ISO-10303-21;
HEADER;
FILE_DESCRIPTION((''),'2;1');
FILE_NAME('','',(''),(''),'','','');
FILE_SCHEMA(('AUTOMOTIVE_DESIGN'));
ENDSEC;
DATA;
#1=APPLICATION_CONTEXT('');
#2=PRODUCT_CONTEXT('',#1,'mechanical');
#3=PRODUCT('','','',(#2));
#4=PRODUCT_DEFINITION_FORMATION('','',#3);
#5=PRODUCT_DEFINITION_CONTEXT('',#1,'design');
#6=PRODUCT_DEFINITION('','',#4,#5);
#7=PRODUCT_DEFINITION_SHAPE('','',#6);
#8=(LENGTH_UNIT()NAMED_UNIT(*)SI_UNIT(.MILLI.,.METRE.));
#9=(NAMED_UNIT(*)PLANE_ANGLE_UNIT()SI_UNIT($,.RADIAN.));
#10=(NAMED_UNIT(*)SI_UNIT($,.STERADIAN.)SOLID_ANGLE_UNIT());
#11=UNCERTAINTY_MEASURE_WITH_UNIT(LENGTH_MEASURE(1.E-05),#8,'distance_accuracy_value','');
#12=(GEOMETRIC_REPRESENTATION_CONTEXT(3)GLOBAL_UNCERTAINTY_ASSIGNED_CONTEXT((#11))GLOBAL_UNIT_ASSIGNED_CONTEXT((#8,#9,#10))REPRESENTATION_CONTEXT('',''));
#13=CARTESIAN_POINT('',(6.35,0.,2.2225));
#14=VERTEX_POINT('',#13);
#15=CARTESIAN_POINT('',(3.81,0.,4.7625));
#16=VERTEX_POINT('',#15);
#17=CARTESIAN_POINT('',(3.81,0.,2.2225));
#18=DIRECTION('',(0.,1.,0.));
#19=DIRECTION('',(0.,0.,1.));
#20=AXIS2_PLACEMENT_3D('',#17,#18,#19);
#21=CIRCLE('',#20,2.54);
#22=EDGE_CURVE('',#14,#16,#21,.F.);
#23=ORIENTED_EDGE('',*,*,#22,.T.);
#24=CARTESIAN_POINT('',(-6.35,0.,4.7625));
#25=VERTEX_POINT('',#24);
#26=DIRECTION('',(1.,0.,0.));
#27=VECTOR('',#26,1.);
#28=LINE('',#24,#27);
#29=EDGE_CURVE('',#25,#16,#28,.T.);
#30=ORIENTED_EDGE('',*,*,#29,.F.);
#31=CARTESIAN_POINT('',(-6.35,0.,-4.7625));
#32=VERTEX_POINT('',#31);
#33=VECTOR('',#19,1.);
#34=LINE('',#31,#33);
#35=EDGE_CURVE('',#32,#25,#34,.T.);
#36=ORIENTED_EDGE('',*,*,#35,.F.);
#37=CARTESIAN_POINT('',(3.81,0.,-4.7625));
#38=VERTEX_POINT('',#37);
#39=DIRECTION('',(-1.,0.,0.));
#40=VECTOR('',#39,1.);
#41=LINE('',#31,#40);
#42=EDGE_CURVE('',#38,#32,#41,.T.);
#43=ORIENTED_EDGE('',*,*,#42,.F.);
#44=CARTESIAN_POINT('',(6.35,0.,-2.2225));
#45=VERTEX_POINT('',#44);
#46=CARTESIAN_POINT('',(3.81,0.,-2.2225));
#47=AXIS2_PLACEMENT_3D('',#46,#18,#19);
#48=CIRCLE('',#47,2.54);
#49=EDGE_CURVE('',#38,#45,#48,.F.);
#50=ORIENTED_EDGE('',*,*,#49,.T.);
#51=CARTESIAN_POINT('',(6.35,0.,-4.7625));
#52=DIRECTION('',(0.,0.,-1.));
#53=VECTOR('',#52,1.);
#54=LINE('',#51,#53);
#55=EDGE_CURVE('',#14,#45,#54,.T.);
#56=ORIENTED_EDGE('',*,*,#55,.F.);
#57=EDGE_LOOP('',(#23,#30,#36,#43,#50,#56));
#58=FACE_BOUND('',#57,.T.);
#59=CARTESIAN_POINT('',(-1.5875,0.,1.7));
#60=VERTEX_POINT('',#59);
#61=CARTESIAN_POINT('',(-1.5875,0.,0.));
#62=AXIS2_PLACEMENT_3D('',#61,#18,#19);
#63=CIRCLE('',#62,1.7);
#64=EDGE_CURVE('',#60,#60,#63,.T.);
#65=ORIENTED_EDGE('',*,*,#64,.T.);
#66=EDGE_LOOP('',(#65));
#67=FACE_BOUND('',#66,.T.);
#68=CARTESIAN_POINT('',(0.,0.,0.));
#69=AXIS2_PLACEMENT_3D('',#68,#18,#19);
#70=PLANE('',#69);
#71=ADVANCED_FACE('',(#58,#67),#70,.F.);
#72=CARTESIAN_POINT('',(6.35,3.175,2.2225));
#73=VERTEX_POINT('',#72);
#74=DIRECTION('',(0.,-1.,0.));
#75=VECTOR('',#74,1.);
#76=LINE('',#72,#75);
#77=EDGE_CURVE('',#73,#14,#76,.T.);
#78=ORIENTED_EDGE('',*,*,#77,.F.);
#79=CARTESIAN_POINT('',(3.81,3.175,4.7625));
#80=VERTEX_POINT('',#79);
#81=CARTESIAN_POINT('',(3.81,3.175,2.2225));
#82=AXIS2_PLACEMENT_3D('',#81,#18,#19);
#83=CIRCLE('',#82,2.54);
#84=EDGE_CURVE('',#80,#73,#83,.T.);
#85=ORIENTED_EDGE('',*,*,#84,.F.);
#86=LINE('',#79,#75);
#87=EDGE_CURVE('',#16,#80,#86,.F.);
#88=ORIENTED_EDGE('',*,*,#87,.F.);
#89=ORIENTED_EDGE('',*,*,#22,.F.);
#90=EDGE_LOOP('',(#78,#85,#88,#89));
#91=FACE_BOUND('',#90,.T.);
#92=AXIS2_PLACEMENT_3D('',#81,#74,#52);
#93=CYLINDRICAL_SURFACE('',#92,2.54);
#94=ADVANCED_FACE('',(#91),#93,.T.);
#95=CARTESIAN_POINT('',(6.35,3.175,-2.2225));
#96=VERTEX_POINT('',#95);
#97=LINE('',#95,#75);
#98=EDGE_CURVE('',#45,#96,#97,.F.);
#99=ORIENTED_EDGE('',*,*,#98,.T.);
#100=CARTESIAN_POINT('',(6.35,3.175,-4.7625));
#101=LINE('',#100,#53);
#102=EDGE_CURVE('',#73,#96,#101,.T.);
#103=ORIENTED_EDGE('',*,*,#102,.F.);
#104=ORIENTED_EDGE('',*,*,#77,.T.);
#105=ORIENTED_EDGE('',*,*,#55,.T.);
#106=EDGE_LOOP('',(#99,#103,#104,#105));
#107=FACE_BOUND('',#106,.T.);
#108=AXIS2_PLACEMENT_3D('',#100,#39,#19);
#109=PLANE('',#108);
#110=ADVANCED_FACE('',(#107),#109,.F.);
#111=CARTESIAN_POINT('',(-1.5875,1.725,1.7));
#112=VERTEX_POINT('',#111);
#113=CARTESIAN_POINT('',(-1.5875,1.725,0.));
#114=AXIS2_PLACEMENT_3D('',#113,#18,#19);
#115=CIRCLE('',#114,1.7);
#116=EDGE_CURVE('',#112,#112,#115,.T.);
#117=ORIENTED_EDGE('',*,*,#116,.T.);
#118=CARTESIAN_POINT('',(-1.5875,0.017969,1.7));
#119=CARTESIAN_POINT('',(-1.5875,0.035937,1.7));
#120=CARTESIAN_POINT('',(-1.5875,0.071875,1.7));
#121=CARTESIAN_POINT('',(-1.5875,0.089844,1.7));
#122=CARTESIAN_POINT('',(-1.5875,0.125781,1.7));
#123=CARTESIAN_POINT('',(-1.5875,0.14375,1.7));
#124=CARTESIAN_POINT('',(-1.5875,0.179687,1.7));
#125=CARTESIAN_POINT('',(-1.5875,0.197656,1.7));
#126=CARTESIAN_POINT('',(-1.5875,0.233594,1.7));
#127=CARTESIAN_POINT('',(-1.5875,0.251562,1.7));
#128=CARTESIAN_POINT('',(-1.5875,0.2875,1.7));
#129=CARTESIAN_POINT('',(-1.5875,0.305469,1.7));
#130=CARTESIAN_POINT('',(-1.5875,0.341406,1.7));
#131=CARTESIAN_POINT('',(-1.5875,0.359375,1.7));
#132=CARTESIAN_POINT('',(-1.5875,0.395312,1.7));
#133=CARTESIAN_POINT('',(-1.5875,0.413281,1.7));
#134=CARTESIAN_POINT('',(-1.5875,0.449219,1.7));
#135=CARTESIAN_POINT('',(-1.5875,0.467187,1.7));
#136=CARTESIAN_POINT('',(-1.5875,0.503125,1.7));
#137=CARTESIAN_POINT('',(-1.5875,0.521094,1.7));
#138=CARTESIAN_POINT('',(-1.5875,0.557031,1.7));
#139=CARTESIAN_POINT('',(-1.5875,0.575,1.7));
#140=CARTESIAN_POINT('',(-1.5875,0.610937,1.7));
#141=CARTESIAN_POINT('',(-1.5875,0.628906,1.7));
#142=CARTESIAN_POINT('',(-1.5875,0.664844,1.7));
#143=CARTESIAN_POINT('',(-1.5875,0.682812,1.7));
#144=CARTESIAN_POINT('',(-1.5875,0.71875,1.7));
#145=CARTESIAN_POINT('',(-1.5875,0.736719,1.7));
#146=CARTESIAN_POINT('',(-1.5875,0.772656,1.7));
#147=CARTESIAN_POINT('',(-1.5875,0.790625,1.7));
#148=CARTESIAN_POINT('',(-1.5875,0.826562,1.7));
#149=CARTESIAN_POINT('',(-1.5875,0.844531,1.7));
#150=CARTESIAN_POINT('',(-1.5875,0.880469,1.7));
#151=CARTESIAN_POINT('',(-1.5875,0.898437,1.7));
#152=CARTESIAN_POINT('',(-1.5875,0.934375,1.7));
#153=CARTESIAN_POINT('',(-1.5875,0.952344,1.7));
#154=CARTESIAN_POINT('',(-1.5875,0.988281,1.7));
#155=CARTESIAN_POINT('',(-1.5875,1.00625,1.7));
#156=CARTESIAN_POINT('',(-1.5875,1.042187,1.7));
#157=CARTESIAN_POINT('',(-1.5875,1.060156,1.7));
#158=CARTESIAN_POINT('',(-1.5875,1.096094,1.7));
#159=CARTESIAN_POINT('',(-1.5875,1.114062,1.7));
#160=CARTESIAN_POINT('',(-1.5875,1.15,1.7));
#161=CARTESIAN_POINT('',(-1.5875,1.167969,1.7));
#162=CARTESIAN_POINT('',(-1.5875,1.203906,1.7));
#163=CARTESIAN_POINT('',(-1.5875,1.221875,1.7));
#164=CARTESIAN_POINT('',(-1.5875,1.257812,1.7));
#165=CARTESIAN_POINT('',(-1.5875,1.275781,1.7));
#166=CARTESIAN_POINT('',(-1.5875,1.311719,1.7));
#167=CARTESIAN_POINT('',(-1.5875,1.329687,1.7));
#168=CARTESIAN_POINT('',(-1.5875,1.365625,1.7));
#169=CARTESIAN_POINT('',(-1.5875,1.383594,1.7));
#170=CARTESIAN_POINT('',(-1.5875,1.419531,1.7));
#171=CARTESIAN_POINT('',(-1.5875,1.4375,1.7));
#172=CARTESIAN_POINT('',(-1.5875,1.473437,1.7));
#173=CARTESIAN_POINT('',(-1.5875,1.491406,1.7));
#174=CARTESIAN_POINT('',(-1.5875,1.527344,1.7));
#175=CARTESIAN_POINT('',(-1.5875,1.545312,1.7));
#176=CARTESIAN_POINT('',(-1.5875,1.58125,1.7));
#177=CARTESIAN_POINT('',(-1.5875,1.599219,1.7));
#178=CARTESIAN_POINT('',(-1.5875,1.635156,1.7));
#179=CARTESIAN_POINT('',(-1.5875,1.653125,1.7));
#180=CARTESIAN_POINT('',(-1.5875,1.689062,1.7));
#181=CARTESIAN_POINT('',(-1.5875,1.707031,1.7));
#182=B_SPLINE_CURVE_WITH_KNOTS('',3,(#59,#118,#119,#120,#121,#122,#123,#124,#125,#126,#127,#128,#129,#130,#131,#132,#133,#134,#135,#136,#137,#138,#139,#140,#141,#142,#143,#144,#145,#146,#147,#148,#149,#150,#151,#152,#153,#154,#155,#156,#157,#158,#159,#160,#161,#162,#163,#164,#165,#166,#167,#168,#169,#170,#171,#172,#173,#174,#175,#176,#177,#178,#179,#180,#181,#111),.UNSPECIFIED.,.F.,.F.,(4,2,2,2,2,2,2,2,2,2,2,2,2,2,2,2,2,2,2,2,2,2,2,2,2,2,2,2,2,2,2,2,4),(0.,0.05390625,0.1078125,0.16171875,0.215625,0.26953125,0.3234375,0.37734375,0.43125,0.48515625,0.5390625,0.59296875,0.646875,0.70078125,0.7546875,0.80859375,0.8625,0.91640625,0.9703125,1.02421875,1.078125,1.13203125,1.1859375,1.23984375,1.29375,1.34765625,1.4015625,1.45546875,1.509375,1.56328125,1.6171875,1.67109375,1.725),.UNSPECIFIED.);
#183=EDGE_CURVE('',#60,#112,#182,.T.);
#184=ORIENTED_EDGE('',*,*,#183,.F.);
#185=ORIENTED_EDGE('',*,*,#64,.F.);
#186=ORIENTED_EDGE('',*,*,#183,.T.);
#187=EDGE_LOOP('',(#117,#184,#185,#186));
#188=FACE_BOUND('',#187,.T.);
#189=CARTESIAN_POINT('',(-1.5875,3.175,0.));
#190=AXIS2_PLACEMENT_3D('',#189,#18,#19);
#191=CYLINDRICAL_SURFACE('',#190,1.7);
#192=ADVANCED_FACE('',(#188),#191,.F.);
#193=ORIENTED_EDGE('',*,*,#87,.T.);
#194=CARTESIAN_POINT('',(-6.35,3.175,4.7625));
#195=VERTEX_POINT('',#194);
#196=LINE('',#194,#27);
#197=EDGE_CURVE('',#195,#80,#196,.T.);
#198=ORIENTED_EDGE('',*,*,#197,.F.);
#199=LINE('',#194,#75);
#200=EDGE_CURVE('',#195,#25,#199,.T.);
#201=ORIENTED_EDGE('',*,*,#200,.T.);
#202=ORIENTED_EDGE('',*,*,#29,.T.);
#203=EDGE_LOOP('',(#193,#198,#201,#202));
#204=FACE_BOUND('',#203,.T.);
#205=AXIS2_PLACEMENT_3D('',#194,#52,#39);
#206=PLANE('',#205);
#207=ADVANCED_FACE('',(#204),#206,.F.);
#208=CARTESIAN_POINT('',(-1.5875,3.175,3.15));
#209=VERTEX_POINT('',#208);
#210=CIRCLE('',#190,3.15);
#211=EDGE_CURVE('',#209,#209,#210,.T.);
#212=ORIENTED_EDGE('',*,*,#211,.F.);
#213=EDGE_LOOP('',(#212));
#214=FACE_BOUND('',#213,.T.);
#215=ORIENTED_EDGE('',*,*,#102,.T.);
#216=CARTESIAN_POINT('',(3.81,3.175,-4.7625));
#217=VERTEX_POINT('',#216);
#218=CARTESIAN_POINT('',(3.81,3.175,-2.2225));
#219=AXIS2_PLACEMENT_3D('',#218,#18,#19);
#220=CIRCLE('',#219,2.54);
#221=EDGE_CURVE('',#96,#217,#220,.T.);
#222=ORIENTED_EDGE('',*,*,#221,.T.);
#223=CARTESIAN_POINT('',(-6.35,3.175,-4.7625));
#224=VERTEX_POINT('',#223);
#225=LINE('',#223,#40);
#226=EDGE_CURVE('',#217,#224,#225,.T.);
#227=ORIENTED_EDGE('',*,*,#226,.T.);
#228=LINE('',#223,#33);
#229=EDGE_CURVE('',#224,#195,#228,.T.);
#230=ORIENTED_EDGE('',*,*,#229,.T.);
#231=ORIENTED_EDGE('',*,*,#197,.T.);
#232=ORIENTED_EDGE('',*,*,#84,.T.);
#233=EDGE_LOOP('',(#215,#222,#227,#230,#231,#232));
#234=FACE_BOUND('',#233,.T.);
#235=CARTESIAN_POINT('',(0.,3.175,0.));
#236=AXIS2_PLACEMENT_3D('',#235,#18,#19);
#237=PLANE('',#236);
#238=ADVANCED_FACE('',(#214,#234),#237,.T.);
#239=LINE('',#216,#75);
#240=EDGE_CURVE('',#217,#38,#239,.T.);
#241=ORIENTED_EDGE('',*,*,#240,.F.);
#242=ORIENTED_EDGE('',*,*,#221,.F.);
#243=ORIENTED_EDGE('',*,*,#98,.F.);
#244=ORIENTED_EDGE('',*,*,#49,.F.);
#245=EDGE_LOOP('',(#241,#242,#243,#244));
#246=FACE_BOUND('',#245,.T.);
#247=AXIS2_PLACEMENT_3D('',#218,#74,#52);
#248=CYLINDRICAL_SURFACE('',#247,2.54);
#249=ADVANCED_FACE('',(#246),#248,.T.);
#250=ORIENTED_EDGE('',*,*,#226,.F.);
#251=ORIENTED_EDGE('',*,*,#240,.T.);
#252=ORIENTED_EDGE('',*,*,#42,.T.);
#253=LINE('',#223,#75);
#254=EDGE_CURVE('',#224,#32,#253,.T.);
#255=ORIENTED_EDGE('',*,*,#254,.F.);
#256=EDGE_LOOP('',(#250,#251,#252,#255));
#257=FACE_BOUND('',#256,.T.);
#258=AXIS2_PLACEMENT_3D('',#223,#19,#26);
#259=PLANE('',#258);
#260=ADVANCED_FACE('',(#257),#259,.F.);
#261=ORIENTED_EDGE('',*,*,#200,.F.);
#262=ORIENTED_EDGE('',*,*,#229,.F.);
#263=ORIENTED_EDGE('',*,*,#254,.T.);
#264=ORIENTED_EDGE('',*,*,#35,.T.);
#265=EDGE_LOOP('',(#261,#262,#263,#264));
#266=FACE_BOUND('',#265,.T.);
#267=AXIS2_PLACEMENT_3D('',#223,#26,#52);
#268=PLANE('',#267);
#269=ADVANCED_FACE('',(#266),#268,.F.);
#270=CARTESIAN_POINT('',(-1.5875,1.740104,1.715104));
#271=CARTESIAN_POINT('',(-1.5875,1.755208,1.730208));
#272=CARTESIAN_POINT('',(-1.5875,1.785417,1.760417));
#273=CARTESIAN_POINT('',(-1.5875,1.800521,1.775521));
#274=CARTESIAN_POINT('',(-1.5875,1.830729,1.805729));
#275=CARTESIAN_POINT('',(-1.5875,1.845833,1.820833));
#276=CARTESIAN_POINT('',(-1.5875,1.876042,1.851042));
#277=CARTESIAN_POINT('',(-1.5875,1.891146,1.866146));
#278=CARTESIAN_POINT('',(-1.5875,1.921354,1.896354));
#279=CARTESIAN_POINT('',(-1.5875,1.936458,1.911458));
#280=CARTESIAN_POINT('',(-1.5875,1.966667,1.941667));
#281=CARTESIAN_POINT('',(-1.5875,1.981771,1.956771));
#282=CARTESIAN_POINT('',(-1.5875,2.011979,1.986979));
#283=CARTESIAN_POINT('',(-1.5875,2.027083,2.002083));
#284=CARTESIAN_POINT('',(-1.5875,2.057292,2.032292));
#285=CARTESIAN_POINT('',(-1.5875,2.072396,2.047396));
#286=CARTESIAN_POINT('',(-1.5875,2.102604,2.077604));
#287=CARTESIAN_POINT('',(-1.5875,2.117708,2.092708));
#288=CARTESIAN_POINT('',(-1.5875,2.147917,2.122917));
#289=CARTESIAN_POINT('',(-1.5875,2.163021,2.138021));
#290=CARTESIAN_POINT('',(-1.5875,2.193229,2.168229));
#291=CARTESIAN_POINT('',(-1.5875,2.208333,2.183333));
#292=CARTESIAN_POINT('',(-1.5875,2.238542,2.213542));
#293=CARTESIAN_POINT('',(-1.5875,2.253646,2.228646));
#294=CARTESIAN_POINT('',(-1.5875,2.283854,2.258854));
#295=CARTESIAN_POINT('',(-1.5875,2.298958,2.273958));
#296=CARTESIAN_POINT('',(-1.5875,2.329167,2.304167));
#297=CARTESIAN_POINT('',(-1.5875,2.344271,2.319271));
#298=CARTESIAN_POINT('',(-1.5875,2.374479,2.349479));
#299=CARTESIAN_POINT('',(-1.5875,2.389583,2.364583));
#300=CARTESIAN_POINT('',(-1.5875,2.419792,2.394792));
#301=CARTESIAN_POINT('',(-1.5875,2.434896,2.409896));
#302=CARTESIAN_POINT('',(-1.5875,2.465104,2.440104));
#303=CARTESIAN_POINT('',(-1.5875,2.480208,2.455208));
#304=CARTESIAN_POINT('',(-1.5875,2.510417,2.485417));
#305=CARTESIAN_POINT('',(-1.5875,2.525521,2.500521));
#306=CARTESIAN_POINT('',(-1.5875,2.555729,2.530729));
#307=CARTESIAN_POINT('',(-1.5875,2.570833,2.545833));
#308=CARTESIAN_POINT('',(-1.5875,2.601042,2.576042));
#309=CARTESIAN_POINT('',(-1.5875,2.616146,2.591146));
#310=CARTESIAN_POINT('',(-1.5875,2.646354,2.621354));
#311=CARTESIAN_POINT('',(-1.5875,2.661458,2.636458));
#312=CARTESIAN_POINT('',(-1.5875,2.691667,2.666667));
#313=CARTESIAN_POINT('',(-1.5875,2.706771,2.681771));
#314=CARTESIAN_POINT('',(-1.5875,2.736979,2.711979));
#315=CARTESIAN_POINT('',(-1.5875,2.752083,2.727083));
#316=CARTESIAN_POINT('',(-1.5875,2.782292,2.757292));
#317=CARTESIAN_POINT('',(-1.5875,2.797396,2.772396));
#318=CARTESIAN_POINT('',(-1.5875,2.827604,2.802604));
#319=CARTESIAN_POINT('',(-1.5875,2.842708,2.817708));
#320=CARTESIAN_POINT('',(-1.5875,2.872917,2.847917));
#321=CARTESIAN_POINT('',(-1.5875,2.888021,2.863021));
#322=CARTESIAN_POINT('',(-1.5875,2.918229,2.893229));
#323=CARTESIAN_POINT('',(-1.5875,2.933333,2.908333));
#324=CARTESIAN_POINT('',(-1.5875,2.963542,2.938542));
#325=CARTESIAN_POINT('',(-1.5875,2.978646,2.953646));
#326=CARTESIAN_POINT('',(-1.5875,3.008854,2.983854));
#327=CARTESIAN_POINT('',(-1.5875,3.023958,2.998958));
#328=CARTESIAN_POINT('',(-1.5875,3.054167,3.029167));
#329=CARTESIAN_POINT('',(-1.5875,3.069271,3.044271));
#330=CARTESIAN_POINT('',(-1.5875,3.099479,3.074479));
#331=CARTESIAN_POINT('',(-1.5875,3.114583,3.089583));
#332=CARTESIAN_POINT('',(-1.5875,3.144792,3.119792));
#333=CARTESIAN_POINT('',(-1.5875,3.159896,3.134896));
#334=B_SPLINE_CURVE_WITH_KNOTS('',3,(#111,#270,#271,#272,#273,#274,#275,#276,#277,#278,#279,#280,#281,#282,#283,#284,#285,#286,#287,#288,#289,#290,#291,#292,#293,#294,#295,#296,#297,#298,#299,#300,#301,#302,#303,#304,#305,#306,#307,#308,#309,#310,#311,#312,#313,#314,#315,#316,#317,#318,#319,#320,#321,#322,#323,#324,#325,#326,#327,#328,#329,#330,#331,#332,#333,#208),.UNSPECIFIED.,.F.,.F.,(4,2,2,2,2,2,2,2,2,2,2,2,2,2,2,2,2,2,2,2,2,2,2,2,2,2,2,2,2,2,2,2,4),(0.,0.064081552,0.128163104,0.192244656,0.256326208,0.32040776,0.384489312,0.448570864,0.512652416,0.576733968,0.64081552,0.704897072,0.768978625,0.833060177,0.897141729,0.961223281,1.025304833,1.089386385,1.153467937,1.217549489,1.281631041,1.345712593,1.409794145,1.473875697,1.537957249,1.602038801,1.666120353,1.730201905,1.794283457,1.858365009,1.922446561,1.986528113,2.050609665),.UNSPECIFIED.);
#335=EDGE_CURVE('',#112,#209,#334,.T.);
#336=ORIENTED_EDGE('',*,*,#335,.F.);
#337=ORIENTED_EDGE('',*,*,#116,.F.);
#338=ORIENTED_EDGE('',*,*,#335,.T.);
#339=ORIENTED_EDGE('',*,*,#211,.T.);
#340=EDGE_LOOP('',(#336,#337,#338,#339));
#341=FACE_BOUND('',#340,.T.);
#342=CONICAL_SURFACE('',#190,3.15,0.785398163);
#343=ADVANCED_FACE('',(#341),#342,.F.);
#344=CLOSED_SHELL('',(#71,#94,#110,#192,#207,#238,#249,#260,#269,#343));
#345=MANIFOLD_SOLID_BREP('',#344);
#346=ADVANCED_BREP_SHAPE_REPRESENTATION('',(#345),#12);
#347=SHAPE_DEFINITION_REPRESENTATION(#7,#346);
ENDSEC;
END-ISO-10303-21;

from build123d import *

# Parameters (mm, degrees)
SKETCH1_W                                       = 12.7
SKETCH1_H                                       = 9.525
BOSS_EXTRUDE1_DEPTH                             = 3.175
CSK_FOR_M3_FLAT_HEAD_MACHINE_SCREW1_D           = 3.4
CSK_FOR_M3_FLAT_HEAD_MACHINE_SCREW1_CSINK_D     = 6.3
CSK_FOR_M3_FLAT_HEAD_MACHINE_SCREW1_CSINK_ANGLE = 90
FILLET1_R                                       = 2.54


with BuildPart() as part:
    # Sketch1 → Boss-Extrude1 (new body)
    with BuildSketch(Plane(origin=(0, 0, 0), x_dir=(1, 0, 0), z_dir=(0, 1, 0))):
        Rectangle(SKETCH1_W, SKETCH1_H)
    extrude(amount=BOSS_EXTRUDE1_DEPTH)

    # CSK for M3 Flat Head Machine Screw1 (through all)
    with Locations(Plane(origin=(0, 3.175, 0), x_dir=(1, 0, 0), z_dir=(0, 1, 0))):
        with Locations((-1.5875, 0)):
            CounterSinkHole(CSK_FOR_M3_FLAT_HEAD_MACHINE_SCREW1_D / 2, CSK_FOR_M3_FLAT_HEAD_MACHINE_SCREW1_CSINK_D / 2, counter_sink_angle=CSK_FOR_M3_FLAT_HEAD_MACHINE_SCREW1_CSINK_ANGLE)

    # Fillet1
    fillet1_edges = [part.edges().sort_by_distance(p)[0] for p in [
        (6.35, 1.5875, -4.7625),
        (6.35, 1.5875, 4.7625),
    ]]
    fillet(fillet1_edges, radius=FILLET1_R)


solid = part.part
